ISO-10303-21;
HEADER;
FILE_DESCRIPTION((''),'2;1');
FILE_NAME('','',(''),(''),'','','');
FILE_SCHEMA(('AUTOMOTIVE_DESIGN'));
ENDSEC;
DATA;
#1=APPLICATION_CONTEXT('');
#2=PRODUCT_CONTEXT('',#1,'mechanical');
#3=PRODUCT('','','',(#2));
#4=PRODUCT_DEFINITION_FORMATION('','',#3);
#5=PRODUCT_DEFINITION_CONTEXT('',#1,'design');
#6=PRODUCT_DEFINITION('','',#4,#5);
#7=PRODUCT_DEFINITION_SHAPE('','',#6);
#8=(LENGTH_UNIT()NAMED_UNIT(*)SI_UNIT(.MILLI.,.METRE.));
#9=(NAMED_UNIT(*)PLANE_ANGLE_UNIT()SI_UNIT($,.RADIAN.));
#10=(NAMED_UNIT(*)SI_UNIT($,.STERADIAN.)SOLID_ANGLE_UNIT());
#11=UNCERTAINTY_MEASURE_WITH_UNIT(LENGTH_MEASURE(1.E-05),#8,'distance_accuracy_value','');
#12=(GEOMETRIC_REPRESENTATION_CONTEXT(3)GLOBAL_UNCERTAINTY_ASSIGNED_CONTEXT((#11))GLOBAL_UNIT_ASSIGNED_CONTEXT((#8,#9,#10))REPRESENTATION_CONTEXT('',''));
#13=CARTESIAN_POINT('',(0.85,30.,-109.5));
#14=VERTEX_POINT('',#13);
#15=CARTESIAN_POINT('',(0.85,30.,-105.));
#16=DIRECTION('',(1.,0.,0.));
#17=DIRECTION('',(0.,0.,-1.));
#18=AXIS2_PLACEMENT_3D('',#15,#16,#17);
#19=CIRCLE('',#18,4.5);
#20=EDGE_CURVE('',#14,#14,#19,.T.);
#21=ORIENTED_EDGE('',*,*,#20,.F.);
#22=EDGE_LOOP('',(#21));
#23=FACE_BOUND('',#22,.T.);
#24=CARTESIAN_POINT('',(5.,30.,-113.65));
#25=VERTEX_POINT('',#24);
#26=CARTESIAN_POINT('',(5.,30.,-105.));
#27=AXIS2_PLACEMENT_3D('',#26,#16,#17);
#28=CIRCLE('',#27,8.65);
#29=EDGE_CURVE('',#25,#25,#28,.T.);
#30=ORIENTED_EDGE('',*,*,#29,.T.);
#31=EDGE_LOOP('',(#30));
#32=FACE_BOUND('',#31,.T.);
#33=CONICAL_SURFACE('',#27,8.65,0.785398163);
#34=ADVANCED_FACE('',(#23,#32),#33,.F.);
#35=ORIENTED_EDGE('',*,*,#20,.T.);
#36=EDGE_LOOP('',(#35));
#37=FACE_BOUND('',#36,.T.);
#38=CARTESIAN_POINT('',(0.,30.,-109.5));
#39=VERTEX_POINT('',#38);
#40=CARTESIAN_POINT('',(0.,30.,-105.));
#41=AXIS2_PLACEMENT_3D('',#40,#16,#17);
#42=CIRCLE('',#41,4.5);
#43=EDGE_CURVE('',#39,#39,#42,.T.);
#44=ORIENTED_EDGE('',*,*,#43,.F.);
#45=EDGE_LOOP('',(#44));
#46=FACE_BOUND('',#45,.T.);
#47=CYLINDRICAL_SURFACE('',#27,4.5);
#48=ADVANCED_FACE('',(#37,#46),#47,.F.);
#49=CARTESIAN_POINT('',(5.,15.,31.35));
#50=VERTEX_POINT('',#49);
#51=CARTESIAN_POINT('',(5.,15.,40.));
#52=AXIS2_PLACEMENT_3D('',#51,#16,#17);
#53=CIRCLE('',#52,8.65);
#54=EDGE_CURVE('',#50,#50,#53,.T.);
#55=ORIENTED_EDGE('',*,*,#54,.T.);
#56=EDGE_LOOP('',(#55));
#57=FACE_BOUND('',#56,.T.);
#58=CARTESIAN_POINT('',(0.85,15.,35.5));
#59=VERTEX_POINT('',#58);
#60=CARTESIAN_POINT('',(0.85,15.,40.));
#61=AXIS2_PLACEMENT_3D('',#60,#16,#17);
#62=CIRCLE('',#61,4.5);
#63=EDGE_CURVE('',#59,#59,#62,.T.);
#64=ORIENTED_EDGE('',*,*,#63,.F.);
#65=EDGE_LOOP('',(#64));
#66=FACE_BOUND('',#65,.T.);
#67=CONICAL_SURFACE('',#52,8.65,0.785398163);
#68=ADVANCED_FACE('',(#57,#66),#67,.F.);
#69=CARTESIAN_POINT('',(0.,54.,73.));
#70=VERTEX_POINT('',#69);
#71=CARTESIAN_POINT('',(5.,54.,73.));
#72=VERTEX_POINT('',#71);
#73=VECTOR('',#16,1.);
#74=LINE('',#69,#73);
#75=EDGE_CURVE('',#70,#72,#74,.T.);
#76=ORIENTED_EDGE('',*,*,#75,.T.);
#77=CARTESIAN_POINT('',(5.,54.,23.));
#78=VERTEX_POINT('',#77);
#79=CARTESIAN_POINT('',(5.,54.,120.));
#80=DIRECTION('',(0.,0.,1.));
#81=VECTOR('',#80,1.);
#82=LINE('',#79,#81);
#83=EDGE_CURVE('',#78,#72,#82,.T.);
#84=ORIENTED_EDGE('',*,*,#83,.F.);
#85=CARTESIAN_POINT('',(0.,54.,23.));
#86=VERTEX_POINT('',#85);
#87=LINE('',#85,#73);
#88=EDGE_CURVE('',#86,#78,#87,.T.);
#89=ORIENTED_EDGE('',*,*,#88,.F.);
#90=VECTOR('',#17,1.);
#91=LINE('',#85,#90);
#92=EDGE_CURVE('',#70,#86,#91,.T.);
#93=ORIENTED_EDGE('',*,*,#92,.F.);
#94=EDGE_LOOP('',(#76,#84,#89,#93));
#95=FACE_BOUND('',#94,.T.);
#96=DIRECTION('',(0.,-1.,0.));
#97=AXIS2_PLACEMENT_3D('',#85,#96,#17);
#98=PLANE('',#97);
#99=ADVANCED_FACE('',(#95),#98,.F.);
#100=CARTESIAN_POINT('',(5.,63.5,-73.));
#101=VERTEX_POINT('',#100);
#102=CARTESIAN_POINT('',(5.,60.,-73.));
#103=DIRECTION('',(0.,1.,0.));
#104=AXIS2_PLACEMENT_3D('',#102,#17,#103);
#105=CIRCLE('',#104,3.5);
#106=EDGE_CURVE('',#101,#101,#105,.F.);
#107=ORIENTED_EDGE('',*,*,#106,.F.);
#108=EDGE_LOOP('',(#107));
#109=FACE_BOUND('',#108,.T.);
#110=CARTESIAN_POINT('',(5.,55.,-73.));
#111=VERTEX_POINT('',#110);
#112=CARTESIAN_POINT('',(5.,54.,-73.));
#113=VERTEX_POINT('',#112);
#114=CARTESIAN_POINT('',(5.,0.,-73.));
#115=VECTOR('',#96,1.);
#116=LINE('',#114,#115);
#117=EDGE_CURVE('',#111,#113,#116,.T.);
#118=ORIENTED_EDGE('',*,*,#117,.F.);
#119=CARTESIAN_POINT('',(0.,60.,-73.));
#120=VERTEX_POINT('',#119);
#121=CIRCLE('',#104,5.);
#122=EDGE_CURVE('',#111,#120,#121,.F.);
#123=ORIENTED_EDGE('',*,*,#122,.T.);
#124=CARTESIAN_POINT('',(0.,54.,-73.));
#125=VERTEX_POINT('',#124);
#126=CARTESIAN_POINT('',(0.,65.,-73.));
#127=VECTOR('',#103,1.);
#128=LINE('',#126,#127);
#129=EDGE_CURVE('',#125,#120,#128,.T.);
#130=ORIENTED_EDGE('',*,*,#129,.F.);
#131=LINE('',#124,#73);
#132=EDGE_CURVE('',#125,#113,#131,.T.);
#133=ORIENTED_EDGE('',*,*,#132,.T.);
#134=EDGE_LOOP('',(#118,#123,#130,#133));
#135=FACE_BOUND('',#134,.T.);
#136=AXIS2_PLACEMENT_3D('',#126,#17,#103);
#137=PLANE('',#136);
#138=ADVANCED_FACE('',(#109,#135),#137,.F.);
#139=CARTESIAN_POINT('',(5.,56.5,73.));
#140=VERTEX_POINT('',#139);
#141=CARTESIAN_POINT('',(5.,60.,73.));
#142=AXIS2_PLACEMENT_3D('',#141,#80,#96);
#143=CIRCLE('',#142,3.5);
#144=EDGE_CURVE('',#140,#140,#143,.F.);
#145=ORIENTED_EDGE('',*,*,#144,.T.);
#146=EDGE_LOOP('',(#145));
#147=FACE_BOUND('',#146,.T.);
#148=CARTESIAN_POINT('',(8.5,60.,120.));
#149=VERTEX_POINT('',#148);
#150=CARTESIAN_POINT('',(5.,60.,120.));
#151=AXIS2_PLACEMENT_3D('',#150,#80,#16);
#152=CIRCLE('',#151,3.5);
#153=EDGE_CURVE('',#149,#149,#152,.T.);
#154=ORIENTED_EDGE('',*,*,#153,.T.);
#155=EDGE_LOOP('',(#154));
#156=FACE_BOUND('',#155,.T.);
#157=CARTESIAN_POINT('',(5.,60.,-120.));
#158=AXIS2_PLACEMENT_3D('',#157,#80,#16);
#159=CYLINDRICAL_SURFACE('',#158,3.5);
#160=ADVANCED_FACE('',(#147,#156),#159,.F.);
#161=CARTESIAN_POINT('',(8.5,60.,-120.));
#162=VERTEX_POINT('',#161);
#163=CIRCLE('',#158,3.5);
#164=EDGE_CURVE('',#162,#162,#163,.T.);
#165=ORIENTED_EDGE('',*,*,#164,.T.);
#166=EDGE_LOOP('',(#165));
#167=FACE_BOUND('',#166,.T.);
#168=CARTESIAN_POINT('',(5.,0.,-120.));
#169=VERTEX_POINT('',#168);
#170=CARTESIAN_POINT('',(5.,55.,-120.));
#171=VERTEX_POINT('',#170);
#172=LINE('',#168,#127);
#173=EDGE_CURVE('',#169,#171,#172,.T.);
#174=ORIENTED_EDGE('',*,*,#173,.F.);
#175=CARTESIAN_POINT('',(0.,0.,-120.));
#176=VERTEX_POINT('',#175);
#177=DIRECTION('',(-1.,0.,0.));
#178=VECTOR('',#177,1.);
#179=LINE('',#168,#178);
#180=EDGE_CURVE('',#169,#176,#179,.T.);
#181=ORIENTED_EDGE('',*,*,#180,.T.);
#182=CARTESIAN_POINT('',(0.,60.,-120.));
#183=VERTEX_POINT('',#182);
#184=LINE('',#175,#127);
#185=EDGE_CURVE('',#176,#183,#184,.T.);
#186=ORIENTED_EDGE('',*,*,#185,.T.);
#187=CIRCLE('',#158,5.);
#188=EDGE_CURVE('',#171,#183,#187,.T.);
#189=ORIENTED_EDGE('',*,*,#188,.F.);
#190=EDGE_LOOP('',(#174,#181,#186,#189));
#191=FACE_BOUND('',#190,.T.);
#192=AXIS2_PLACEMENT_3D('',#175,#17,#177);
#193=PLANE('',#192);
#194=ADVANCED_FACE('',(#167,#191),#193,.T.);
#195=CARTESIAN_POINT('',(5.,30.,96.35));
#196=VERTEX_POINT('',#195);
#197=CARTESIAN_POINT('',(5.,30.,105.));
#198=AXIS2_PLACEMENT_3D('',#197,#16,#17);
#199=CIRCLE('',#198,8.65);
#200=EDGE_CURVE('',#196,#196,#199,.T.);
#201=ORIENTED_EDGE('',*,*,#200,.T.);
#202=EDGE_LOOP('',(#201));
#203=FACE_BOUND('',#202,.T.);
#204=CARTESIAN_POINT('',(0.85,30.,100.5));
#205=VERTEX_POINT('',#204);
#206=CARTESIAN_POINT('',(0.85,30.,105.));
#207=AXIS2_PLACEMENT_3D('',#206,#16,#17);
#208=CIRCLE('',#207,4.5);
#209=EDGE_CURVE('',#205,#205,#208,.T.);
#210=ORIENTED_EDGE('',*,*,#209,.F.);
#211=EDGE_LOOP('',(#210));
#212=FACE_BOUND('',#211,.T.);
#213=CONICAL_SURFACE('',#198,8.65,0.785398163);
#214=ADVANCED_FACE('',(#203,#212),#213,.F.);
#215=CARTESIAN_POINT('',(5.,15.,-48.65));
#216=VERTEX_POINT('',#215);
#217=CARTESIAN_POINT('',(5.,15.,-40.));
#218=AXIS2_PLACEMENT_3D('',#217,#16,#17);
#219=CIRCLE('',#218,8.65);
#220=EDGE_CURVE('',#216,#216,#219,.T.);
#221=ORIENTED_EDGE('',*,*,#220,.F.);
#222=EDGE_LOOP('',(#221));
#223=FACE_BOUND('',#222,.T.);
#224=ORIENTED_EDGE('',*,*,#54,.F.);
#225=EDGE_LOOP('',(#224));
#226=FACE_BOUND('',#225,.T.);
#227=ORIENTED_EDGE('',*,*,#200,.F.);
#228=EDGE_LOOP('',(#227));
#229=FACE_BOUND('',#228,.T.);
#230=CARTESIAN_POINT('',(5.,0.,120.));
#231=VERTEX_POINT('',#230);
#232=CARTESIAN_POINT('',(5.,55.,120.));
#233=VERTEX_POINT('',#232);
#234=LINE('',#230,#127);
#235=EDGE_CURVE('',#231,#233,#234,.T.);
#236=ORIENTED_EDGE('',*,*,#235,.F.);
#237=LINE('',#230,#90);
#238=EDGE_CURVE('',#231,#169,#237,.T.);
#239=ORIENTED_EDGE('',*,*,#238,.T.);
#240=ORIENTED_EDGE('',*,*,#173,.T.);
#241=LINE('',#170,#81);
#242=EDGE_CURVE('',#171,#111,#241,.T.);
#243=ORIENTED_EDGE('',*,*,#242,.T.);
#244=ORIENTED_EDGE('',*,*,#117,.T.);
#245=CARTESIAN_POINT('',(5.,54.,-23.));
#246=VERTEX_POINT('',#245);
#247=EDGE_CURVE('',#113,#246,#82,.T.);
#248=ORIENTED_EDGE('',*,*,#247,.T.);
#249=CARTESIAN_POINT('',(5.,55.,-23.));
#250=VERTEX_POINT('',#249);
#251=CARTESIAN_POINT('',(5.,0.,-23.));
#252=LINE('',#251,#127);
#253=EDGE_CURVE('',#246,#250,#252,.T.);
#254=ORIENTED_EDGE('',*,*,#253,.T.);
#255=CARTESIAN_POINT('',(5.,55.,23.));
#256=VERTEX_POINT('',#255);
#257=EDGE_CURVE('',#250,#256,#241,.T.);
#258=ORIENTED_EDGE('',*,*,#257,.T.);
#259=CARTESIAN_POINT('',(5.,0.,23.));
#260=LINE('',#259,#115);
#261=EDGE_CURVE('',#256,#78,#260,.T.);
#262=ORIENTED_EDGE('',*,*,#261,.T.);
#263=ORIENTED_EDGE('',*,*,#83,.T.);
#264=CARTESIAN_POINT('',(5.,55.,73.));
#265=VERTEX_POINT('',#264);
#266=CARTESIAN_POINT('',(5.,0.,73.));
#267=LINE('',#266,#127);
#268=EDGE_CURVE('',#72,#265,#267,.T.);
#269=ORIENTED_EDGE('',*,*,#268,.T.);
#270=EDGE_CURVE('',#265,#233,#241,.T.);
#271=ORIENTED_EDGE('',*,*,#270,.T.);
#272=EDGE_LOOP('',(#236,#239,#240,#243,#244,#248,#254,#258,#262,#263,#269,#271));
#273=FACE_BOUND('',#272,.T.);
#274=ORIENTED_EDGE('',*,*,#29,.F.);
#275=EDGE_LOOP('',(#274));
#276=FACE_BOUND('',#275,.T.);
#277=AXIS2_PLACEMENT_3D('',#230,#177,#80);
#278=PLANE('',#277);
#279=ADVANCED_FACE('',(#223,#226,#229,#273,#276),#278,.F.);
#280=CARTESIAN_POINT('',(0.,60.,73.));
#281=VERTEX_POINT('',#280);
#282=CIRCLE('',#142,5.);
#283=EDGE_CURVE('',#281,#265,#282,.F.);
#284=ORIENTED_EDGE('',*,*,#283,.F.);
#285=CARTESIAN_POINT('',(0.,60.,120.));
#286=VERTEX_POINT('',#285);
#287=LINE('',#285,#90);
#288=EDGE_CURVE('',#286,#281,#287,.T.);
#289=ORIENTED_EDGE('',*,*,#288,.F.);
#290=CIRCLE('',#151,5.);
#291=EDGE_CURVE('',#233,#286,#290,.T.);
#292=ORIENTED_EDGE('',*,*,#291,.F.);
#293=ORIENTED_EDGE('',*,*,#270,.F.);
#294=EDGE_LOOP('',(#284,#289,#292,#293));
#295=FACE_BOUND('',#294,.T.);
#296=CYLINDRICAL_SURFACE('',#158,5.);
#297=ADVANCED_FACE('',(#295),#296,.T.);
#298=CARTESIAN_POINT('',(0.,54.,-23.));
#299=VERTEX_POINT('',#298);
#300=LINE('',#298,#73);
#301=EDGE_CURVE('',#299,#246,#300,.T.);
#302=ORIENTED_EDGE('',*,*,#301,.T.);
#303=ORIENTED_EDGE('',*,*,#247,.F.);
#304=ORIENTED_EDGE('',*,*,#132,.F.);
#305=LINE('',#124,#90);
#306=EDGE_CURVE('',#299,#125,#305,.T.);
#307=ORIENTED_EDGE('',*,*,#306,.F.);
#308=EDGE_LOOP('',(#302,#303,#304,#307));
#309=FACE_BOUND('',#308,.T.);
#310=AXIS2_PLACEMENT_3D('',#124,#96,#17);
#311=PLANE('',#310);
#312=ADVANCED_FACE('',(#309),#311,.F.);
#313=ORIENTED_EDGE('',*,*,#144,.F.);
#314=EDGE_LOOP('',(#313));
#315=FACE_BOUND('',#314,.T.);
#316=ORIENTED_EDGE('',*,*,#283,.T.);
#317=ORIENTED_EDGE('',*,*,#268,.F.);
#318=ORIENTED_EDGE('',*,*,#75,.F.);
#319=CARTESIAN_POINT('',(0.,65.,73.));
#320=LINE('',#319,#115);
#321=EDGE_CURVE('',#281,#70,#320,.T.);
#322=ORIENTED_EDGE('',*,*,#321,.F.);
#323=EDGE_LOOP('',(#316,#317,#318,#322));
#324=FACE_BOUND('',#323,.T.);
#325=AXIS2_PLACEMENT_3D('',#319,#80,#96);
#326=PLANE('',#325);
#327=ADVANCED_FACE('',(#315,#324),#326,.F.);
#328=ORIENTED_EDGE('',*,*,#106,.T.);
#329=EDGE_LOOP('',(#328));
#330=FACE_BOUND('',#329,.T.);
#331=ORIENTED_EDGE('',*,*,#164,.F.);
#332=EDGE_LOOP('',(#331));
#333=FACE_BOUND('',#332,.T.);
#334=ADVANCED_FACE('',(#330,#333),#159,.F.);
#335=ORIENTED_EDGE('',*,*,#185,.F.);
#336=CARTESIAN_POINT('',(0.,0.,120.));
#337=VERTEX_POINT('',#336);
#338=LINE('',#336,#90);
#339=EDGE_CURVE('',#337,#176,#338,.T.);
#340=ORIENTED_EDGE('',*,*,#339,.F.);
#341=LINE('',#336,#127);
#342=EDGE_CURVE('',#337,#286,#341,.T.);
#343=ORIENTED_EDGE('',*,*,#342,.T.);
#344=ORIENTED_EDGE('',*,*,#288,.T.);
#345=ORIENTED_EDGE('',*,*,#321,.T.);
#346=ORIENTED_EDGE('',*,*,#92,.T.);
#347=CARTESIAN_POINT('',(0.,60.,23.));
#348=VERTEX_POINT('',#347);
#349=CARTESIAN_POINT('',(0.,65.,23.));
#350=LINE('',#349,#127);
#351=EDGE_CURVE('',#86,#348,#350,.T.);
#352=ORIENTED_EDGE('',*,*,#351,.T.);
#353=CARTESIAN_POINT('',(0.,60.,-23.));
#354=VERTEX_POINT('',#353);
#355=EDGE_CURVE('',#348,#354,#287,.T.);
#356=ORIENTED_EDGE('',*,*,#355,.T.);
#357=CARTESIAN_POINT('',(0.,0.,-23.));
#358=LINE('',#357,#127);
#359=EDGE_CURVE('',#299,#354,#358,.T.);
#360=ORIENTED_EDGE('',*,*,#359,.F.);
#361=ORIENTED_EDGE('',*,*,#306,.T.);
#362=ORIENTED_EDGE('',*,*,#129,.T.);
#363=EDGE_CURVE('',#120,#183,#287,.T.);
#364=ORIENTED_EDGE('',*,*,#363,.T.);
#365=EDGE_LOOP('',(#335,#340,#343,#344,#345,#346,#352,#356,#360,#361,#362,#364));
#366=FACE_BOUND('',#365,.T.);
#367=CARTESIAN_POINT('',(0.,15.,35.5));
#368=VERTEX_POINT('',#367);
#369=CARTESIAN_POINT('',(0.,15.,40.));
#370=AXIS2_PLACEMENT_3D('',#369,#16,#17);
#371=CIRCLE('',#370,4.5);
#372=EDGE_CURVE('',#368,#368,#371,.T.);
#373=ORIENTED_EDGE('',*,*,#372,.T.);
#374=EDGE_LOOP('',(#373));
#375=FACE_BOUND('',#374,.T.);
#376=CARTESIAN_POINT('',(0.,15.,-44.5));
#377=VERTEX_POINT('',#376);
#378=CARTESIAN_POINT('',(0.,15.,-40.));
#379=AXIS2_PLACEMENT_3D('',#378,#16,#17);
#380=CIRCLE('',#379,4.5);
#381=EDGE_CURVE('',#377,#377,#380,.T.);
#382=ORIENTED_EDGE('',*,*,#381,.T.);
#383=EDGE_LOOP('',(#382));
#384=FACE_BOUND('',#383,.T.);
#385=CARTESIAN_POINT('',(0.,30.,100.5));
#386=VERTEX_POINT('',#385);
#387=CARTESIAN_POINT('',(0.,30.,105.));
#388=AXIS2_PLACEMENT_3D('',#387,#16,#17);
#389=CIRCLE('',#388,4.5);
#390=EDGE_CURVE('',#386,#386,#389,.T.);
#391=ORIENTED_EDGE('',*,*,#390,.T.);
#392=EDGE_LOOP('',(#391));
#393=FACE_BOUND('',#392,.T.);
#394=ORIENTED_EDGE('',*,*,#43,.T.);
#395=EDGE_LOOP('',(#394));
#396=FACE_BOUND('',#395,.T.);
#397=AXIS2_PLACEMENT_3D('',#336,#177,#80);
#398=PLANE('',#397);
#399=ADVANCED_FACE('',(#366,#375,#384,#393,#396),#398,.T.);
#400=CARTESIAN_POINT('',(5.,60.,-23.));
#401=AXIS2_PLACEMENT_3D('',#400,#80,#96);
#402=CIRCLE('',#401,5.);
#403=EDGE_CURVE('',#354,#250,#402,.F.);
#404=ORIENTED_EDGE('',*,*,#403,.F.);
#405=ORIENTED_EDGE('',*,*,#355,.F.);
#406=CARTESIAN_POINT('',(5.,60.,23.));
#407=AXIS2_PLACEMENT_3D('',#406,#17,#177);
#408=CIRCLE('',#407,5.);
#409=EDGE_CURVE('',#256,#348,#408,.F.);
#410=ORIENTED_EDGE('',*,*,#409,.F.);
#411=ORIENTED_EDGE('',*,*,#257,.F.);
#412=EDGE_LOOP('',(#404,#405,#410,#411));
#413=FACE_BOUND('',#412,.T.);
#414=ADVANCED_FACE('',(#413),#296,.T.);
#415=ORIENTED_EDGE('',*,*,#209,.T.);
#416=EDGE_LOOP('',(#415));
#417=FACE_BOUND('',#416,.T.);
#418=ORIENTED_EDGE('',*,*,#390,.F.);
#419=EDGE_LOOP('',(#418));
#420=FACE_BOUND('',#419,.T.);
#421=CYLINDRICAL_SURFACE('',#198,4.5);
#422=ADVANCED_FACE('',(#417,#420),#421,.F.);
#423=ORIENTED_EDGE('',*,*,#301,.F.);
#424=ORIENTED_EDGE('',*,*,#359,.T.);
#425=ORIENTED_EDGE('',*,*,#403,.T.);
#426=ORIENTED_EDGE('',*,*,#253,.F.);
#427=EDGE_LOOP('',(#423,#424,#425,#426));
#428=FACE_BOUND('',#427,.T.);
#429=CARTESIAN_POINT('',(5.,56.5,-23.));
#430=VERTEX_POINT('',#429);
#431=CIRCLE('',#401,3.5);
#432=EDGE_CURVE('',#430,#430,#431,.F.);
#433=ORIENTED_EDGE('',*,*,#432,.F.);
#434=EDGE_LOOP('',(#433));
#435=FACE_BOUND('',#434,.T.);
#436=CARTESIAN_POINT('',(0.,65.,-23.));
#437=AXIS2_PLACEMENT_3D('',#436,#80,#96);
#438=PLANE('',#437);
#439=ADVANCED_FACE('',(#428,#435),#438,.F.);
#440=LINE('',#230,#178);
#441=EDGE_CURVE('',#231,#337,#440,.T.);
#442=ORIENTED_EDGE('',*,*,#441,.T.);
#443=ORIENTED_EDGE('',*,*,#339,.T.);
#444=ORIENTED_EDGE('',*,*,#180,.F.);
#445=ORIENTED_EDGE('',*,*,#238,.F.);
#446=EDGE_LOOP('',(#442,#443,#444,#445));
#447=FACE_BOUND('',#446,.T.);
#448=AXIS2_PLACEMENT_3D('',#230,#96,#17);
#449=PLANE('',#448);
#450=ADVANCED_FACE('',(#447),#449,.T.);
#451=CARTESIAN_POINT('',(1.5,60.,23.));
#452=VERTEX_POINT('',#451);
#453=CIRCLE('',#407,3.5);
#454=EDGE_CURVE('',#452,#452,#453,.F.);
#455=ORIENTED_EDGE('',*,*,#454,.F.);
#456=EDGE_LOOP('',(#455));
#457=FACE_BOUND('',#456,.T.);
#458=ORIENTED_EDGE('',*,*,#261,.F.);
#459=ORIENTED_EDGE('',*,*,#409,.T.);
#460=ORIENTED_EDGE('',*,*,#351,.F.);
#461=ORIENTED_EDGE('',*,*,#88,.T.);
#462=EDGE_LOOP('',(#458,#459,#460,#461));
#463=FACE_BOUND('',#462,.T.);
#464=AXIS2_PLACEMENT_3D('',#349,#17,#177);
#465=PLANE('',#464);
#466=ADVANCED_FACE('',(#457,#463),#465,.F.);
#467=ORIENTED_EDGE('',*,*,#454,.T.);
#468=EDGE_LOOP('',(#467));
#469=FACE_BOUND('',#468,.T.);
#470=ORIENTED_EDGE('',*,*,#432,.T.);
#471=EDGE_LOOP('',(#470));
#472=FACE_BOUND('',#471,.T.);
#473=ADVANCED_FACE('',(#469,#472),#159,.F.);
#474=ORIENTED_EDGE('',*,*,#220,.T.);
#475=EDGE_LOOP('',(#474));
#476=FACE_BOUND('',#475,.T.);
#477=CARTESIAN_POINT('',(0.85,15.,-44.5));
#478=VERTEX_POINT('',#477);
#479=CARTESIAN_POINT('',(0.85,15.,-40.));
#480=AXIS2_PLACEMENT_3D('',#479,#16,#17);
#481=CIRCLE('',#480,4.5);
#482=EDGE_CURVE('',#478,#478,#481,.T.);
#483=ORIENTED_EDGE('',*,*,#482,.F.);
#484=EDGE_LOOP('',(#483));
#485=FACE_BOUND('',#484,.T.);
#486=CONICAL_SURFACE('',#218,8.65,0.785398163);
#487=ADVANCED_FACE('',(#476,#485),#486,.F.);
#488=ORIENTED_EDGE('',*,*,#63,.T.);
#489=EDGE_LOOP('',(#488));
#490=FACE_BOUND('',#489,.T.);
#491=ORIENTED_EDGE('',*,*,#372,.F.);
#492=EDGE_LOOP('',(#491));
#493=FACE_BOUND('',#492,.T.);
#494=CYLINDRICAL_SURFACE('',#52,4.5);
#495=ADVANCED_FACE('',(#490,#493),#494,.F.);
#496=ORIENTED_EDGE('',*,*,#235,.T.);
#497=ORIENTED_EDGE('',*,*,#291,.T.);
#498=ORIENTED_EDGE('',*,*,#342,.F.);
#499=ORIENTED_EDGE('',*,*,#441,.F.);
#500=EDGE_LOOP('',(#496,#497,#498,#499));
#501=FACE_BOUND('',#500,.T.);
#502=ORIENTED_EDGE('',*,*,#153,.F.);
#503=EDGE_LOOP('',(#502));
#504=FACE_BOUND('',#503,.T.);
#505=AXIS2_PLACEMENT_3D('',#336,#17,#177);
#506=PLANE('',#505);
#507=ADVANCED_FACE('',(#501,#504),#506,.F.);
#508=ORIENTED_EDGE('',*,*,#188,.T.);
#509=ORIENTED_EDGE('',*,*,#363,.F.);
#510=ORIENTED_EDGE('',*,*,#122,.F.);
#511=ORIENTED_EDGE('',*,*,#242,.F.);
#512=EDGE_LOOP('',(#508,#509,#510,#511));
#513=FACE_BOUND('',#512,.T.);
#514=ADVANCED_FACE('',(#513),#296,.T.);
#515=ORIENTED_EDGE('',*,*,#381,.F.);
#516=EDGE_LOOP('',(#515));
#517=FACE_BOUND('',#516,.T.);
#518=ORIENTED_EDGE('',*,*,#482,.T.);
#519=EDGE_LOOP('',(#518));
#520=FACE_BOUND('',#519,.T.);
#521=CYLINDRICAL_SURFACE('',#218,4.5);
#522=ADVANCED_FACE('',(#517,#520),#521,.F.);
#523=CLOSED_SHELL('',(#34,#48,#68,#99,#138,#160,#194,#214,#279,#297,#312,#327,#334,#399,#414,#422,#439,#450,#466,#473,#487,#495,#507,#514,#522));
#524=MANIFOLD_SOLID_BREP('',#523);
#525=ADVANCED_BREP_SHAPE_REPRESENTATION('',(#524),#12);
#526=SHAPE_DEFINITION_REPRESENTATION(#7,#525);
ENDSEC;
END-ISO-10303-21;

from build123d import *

# Parameters (mm, degrees)
SKETCH_1_W                 = 5
SKETCH_1_H                 = 60
EXTRUDE_1_DEPTH            = 120
SKETCH_2_R                 = 5
SKETCH_4_R                 = 3.5
CUT_EXTRUDE_1_DEPTH        = 249.847342763
HOLE_WIZARD_M81_AT_2_COUNT = 2
HOLE_WIZARD_M81_AT_2_PITCH = 66.708320321
CUT_EXTRUDE_2_DEPTH        = 137.565002837
CUT_EXTRUDE_2_DEPTH_BACK   = 137.565002837
SKETCH_8_W                 = 50
SKETCH_8_H                 = 11


with BuildPart() as part:
    # Эскиз1 → Вытянуть-Тонкостенный1 (new, symmetric)
    with BuildSketch(Plane.XY):
        with Locations((2.5, 30)):
            Rectangle(SKETCH_1_W, SKETCH_1_H)
    extrude(amount=EXTRUDE_1_DEPTH, both=True)

    # По траектории1: sweep along a curve in space
    with BuildLine() as sweep_1_path:
        Line((5, 60, 120), (5, 60, -120))
    # Эскиз2 → По траектории1 (sweep)
    with BuildSketch(Plane.XY.offset(120)):
        with Locations((5, 60)):
            Circle(SKETCH_2_R)
    sweep(path=sweep_1_path.line)

    # Эскиз4 → Вырез-Вытянуть1 (cut, through all)
    with BuildSketch(Plane.XY.offset(120)):
        with Locations((5, 60)):
            Circle(SKETCH_4_R)
    extrude(amount=-CUT_EXTRUDE_1_DEPTH, mode=Mode.SUBTRACT)

    # Эскиз5 → Зенковка для  винта с плоской головкой M81 (revolve, cut)
    with BuildSketch(Plane(origin=(5, 30, 105), x_dir=(0, 0, -1), z_dir=(0, 1, 0))):
        Polygon((0, 0), (0, 5), (4.5, 5), (4.5, 4.15), (8.65, 0), align=None)
    hole_wizard_m81 = revolve(axis=Axis((11.35, 30, 105), (-1, 0, 0)), mode=Mode.SUBTRACT)

    # Зенковка для  винта с плоской головкой M81 at 2: Зенковка для  винта с плоской головкой M81 ×2
    with Locations(*[Vector(0, -0.22485950669875843, -0.9743911956946198) * (i * HOLE_WIZARD_M81_AT_2_PITCH) for i in range(1, HOLE_WIZARD_M81_AT_2_COUNT)]):
        add(hole_wizard_m81, mode=Mode.SUBTRACT)

    # Зеркальное отражение1: Зенковка для  винта с плоской головкой M81 across plane
    add(hole_wizard_m81.mirror(Plane.XY), mode=Mode.SUBTRACT)

    # Зеркальное отражение1 copy 1 sketch → Зеркальное отражение1 copy 1 (revolve, cut)
    with BuildSketch(Plane(origin=(5, 15, -40), x_dir=(0, 0, 1), z_dir=(0, 1, 0))):
        Polygon((0, 0), (0, -5), (4.5, -5), (4.5, -4.15), (8.65, 0), align=None)
    revolve(axis=Axis((11.35, 15, -40), (1, 0, 0)), mode=Mode.SUBTRACT)

    # Эскиз8 → Вырез-Вытянуть2 (cut, two sides: drawn at the far end of the back side and taken through both)
    with BuildSketch(Plane(origin=(5, 0, 0), x_dir=(0, 0, -1), z_dir=(1, 0, 0)).offset(-CUT_EXTRUDE_2_DEPTH_BACK)):
        with Locations((-48, 59.5)):
            Rectangle(SKETCH_8_W, SKETCH_8_H)
        with Locations((48, 59.5)):
            Rectangle(SKETCH_8_W, SKETCH_8_H)
    extrude(amount=CUT_EXTRUDE_2_DEPTH + CUT_EXTRUDE_2_DEPTH_BACK, mode=Mode.SUBTRACT)


solid = part.part
